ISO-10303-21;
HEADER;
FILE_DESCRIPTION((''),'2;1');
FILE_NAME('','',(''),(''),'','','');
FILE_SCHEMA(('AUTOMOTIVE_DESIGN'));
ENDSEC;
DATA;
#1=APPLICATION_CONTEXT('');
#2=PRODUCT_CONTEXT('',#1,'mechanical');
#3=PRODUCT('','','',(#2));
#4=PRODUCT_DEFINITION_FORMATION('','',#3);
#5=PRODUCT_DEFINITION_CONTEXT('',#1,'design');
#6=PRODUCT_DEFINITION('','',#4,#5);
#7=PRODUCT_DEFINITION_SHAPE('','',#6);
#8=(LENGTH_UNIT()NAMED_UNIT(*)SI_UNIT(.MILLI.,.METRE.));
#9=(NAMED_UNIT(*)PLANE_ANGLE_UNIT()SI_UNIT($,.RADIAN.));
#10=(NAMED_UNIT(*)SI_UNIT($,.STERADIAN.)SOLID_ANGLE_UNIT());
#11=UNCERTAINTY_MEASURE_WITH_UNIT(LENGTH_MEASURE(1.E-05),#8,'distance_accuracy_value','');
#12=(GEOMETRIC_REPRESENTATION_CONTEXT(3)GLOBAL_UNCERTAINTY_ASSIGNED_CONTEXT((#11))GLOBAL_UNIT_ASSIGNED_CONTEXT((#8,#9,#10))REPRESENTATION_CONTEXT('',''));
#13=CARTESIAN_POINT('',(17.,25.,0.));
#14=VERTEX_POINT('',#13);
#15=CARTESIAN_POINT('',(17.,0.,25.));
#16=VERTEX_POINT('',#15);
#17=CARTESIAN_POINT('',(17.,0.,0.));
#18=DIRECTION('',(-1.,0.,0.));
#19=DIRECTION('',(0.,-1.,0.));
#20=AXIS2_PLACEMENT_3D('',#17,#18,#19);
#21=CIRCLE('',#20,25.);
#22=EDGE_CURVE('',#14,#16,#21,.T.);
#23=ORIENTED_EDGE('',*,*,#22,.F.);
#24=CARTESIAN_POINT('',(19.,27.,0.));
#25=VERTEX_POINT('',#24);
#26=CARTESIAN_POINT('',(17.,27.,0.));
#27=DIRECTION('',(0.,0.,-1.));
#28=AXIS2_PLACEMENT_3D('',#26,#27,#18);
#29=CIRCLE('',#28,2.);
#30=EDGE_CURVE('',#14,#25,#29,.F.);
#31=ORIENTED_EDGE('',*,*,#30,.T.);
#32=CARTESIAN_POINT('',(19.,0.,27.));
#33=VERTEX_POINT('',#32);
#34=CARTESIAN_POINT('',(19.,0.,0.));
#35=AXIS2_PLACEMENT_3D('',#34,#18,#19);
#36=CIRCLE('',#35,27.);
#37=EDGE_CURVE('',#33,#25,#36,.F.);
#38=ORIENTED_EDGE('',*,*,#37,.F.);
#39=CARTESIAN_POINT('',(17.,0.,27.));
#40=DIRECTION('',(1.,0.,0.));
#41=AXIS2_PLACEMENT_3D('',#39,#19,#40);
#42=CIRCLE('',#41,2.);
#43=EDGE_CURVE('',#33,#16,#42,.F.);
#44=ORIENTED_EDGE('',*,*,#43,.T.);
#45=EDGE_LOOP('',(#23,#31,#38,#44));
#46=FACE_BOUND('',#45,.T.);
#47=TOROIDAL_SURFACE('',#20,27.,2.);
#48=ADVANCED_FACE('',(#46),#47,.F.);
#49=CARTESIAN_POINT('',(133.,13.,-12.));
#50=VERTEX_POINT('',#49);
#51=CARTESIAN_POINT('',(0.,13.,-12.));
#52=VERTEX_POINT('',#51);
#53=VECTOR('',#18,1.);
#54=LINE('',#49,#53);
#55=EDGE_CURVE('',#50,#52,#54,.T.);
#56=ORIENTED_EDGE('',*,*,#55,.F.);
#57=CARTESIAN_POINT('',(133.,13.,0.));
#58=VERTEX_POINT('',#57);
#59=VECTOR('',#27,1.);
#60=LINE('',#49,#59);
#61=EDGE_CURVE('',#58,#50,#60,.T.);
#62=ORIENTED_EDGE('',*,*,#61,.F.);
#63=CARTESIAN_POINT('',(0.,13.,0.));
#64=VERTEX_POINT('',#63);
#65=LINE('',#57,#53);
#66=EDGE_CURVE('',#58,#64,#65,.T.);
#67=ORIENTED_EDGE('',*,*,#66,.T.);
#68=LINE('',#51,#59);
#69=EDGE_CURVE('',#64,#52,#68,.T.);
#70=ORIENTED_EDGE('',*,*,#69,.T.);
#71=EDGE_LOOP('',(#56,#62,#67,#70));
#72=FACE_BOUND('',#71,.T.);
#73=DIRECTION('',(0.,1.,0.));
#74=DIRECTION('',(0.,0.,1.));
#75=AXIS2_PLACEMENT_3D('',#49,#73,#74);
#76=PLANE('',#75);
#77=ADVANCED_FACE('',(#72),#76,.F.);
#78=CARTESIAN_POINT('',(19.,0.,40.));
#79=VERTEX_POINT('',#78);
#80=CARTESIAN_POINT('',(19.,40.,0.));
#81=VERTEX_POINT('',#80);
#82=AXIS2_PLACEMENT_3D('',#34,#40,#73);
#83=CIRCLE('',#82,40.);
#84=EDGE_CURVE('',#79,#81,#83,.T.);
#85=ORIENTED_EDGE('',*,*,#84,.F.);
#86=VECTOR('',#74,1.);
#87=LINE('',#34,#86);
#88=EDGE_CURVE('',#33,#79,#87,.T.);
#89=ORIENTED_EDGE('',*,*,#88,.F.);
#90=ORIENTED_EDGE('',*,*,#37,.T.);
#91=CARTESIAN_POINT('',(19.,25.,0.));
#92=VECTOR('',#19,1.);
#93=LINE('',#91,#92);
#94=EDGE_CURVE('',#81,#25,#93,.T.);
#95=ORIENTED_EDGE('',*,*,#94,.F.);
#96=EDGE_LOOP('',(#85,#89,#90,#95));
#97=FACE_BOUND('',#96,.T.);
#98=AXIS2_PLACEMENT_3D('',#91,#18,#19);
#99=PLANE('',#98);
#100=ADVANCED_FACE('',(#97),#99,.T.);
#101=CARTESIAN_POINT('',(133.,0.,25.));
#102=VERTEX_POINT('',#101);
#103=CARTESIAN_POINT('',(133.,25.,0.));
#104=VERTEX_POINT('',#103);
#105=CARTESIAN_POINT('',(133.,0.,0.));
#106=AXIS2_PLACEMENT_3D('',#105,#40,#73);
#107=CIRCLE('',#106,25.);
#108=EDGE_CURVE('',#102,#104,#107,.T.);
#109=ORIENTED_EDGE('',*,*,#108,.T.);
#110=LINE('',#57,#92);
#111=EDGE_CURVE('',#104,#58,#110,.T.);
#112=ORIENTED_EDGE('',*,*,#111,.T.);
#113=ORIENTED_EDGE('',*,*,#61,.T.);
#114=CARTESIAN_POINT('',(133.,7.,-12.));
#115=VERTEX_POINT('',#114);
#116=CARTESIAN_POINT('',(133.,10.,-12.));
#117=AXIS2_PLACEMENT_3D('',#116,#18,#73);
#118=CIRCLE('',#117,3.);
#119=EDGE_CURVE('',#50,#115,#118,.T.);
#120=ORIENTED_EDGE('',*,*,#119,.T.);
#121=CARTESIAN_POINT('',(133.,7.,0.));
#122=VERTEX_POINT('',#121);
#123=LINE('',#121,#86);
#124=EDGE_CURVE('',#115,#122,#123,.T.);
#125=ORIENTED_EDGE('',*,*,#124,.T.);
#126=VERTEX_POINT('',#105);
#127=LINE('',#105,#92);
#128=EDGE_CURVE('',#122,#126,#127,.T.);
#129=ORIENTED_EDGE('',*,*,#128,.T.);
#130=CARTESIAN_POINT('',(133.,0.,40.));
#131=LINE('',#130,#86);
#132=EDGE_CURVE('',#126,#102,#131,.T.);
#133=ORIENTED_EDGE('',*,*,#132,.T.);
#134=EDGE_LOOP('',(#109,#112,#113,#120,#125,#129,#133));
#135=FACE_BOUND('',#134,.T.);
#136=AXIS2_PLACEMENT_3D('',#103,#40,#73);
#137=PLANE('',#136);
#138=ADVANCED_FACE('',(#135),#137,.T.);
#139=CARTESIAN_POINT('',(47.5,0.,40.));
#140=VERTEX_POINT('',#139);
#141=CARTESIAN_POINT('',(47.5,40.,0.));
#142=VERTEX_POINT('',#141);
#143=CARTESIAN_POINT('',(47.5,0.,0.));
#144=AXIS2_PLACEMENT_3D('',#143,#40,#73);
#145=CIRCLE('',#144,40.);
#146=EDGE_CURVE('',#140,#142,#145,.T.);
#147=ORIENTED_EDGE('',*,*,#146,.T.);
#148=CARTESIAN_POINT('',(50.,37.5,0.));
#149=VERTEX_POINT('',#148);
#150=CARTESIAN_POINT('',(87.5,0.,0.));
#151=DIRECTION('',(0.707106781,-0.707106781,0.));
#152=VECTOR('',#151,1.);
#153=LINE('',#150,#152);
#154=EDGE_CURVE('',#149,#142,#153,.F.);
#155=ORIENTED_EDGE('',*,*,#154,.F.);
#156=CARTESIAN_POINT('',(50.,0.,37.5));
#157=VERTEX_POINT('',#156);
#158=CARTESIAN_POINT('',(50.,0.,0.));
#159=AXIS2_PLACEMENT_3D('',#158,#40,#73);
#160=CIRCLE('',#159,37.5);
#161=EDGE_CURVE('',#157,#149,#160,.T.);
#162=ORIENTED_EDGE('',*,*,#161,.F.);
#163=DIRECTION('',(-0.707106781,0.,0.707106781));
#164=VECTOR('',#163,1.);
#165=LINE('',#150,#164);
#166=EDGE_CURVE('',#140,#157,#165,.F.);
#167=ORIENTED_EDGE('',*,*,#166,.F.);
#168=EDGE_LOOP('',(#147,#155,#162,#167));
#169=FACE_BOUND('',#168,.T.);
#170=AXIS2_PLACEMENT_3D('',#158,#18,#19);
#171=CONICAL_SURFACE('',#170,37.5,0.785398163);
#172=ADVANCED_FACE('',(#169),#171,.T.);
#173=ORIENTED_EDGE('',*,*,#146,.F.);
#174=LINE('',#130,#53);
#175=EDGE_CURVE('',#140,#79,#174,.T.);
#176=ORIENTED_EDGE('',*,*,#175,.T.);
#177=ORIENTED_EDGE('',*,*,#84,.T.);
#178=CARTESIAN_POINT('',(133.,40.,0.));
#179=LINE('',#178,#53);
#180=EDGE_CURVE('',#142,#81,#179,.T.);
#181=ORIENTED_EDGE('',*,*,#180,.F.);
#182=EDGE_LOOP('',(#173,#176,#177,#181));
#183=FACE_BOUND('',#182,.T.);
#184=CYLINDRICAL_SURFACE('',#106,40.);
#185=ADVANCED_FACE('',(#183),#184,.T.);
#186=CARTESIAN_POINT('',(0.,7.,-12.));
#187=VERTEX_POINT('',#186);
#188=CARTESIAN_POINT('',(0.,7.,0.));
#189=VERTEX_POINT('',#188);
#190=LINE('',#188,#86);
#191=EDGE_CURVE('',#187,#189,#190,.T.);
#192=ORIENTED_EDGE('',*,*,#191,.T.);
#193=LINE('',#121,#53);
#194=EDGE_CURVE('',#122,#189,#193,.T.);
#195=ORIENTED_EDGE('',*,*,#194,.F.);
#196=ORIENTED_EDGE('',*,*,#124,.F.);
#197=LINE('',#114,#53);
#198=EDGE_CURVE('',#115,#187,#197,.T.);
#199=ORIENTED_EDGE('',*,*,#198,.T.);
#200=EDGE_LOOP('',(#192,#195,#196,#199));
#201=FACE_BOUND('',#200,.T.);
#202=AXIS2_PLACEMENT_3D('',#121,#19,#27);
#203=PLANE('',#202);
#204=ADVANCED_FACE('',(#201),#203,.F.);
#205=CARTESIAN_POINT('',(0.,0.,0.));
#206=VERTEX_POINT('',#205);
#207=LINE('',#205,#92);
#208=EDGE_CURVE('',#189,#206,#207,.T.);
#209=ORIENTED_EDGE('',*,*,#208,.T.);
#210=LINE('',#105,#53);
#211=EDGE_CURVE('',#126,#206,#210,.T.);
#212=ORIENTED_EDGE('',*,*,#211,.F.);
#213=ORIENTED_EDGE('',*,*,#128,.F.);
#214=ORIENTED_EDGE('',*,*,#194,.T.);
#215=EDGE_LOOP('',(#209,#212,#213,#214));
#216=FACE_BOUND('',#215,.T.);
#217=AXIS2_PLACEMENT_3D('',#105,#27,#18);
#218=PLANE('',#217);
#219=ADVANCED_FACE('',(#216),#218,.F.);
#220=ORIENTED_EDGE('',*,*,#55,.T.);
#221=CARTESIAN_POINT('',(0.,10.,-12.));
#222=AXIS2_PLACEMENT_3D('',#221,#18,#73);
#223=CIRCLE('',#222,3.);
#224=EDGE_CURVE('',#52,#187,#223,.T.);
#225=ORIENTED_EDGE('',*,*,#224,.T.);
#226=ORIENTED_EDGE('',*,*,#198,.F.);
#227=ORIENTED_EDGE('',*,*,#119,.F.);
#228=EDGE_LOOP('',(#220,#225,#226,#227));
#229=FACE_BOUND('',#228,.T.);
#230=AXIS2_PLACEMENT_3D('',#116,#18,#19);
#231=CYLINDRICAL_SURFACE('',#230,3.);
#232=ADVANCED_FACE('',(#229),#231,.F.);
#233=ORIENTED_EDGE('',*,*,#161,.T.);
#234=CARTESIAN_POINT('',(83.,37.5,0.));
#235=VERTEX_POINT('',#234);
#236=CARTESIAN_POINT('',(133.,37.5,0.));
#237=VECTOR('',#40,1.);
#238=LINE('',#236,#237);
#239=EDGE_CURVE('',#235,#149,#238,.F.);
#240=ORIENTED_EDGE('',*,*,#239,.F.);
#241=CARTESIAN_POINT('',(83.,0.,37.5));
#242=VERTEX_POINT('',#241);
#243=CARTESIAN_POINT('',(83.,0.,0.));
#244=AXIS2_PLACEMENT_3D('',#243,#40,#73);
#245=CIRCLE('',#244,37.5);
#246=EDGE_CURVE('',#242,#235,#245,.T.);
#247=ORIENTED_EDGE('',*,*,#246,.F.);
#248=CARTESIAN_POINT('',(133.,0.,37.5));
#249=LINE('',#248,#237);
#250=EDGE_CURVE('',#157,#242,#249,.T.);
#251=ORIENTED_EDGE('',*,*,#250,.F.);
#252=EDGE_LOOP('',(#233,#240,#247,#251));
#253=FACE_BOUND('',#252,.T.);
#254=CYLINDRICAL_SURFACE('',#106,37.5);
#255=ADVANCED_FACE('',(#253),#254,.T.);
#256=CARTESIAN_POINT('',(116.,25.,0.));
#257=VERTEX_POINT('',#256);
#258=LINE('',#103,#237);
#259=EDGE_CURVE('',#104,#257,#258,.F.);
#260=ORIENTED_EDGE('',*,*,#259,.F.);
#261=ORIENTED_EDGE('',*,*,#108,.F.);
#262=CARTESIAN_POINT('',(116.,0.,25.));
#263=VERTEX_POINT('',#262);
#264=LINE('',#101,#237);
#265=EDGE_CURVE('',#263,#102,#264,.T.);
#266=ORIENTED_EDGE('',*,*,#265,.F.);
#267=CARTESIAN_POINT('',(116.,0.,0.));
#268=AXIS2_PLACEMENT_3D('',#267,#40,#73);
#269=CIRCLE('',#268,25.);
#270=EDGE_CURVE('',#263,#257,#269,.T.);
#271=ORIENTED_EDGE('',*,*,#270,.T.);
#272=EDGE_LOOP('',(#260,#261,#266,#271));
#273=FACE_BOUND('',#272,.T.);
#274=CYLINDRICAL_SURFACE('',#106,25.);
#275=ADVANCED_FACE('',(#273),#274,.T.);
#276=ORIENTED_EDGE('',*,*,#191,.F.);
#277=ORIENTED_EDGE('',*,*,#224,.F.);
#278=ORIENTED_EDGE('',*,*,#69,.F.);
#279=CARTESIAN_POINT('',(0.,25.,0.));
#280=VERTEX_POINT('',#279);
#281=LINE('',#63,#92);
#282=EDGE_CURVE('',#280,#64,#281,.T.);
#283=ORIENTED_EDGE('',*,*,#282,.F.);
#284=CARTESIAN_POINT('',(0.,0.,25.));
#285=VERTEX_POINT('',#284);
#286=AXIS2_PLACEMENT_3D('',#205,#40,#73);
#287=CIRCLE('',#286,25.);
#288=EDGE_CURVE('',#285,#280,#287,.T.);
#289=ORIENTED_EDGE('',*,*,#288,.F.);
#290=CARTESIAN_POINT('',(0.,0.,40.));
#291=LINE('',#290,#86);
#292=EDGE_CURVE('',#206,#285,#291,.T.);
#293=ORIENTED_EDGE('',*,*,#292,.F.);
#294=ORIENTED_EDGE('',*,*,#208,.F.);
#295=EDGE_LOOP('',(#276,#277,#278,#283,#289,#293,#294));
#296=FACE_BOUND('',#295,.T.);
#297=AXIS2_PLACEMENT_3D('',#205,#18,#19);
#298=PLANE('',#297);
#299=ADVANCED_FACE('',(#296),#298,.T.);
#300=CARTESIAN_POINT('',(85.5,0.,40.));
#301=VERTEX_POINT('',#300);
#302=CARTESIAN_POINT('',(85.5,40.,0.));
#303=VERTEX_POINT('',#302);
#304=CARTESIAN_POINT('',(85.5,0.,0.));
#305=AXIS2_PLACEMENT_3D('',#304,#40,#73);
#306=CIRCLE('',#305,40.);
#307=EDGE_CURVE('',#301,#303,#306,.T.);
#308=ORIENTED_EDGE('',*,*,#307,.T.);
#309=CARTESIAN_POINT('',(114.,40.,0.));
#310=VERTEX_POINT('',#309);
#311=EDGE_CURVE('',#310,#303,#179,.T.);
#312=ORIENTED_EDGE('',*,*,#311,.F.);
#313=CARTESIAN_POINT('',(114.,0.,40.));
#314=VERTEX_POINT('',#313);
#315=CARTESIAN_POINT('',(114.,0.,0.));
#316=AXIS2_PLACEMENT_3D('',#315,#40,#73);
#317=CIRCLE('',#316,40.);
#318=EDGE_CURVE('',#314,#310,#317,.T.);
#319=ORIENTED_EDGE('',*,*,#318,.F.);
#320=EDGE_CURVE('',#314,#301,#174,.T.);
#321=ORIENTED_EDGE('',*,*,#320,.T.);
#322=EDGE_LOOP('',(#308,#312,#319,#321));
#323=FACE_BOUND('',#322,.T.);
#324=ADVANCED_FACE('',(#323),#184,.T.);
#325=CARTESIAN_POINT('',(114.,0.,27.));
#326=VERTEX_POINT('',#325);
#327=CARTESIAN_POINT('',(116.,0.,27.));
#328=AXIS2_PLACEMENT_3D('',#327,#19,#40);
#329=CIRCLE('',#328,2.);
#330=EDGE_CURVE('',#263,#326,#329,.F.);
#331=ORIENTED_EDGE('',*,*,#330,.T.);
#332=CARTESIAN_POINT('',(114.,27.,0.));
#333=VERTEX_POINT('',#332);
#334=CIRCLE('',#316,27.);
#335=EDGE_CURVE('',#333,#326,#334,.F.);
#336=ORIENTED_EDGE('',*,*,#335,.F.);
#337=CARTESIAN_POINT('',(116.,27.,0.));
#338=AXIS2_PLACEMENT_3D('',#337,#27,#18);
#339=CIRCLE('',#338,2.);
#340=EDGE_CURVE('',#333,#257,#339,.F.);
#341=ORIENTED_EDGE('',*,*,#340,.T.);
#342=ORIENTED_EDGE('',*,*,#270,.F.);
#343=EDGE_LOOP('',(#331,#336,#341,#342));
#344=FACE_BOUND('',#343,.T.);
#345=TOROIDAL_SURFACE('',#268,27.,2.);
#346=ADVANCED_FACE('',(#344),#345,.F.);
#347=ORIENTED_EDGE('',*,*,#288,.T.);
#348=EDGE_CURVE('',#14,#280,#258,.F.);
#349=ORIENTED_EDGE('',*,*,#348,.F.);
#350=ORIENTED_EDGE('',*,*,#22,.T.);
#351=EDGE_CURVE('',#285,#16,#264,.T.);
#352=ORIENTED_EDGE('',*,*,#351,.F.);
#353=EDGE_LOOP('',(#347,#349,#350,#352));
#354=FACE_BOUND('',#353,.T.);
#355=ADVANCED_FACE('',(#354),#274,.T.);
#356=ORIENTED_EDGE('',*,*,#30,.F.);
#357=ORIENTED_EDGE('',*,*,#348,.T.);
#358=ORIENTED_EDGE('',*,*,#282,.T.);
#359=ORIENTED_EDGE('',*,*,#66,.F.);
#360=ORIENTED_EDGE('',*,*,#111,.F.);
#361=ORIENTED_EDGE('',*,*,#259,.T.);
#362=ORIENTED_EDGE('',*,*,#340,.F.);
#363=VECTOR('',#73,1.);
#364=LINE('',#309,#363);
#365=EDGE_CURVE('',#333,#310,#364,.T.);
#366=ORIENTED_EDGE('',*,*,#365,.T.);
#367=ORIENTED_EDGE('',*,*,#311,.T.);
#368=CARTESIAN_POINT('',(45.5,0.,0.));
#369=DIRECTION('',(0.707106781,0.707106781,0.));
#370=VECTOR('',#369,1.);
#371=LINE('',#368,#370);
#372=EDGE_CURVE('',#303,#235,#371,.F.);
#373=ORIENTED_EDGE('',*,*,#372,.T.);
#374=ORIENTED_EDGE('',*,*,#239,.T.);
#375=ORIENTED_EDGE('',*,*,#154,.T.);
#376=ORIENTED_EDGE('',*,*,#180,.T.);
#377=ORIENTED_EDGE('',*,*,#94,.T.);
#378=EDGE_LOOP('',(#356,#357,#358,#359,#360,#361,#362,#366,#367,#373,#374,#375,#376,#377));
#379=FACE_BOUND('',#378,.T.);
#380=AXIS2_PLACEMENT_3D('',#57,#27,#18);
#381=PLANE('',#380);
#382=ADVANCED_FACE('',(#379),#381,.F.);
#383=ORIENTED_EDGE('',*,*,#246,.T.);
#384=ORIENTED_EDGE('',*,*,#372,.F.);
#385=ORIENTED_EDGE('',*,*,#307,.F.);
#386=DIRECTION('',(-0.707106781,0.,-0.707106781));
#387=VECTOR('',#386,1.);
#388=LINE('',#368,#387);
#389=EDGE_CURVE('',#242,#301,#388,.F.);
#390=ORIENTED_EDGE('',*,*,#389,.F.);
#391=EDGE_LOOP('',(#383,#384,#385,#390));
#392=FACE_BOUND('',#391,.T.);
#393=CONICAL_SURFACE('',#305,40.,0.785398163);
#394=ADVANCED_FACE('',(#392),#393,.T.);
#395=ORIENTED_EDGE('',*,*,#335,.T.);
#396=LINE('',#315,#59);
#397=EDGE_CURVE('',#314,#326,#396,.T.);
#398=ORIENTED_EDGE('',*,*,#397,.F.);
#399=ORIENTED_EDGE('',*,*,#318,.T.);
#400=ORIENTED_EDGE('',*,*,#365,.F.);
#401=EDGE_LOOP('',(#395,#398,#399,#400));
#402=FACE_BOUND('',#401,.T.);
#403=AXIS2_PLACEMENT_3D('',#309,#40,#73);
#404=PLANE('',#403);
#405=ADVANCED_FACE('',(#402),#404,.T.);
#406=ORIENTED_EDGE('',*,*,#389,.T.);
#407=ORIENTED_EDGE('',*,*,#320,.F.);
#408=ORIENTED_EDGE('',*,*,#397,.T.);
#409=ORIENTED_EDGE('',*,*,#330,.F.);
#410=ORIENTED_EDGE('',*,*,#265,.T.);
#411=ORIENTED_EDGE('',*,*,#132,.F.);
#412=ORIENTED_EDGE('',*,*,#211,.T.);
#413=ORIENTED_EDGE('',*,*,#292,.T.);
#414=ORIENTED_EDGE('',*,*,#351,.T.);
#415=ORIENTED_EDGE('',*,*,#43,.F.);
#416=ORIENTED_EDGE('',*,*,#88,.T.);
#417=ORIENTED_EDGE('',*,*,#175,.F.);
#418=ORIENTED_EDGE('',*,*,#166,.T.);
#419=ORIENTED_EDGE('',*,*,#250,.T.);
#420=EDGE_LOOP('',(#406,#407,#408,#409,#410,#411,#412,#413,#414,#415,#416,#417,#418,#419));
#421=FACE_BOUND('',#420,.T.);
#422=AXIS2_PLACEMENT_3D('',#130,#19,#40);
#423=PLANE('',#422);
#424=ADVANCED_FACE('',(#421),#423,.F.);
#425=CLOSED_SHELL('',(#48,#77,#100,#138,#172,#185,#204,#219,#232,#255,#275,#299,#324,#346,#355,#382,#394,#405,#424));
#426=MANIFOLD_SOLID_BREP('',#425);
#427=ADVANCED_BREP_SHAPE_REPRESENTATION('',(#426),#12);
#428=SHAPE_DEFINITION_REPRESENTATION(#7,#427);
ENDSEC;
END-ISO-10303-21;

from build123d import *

# Parameters (mm, degrees)
ZAOKR_GLENIE1_R            = 2
WYTNIJ_WYCI_GNI_CIE1_DEPTH = 134


with BuildPart() as part:
    # Szkic2 → Obrót1 (revolve)
    with BuildSketch(Plane.XY):
        Polygon((0, 0), (0, 25), (19, 25), (19, 40), (47.5, 40), (50, 37.5), (83, 37.5), (85.5, 40), (114, 40), (114, 25), (133, 25), (133, 0), align=None)
    revolve(axis=Axis((133, 0, 0), (-1, 0, 0)))

    # Zaokrąglenie1
    zaokr_glenie1_edges = [part.edges().sort_by_distance(p)[0] for p in [
        (114, -25, 0),
        (19, -25, 0),
    ]]
    fillet(zaokr_glenie1_edges, radius=ZAOKR_GLENIE1_R)

    # Szkic3 → Wytnij-wyciągnięcie1 (cut, through all)
    with BuildSketch(Plane.ZY):
        with BuildLine():
            Line((0, 0), (0, 7))
            Line((0, 7), (-12, 7))
            ThreePointArc((-12, 7), (-15, 10), (-12, 13))
            Line((-12, 13), (0, 13))
            Line((0, 13), (0, 40))
            ThreePointArc((0, 40), (28.284271247, 28.284271247), (40, 0))
            Line((40, 0), (0, 0))
        make_face()
    extrude(amount=-WYTNIJ_WYCI_GNI_CIE1_DEPTH, mode=Mode.SUBTRACT)


solid = part.part
